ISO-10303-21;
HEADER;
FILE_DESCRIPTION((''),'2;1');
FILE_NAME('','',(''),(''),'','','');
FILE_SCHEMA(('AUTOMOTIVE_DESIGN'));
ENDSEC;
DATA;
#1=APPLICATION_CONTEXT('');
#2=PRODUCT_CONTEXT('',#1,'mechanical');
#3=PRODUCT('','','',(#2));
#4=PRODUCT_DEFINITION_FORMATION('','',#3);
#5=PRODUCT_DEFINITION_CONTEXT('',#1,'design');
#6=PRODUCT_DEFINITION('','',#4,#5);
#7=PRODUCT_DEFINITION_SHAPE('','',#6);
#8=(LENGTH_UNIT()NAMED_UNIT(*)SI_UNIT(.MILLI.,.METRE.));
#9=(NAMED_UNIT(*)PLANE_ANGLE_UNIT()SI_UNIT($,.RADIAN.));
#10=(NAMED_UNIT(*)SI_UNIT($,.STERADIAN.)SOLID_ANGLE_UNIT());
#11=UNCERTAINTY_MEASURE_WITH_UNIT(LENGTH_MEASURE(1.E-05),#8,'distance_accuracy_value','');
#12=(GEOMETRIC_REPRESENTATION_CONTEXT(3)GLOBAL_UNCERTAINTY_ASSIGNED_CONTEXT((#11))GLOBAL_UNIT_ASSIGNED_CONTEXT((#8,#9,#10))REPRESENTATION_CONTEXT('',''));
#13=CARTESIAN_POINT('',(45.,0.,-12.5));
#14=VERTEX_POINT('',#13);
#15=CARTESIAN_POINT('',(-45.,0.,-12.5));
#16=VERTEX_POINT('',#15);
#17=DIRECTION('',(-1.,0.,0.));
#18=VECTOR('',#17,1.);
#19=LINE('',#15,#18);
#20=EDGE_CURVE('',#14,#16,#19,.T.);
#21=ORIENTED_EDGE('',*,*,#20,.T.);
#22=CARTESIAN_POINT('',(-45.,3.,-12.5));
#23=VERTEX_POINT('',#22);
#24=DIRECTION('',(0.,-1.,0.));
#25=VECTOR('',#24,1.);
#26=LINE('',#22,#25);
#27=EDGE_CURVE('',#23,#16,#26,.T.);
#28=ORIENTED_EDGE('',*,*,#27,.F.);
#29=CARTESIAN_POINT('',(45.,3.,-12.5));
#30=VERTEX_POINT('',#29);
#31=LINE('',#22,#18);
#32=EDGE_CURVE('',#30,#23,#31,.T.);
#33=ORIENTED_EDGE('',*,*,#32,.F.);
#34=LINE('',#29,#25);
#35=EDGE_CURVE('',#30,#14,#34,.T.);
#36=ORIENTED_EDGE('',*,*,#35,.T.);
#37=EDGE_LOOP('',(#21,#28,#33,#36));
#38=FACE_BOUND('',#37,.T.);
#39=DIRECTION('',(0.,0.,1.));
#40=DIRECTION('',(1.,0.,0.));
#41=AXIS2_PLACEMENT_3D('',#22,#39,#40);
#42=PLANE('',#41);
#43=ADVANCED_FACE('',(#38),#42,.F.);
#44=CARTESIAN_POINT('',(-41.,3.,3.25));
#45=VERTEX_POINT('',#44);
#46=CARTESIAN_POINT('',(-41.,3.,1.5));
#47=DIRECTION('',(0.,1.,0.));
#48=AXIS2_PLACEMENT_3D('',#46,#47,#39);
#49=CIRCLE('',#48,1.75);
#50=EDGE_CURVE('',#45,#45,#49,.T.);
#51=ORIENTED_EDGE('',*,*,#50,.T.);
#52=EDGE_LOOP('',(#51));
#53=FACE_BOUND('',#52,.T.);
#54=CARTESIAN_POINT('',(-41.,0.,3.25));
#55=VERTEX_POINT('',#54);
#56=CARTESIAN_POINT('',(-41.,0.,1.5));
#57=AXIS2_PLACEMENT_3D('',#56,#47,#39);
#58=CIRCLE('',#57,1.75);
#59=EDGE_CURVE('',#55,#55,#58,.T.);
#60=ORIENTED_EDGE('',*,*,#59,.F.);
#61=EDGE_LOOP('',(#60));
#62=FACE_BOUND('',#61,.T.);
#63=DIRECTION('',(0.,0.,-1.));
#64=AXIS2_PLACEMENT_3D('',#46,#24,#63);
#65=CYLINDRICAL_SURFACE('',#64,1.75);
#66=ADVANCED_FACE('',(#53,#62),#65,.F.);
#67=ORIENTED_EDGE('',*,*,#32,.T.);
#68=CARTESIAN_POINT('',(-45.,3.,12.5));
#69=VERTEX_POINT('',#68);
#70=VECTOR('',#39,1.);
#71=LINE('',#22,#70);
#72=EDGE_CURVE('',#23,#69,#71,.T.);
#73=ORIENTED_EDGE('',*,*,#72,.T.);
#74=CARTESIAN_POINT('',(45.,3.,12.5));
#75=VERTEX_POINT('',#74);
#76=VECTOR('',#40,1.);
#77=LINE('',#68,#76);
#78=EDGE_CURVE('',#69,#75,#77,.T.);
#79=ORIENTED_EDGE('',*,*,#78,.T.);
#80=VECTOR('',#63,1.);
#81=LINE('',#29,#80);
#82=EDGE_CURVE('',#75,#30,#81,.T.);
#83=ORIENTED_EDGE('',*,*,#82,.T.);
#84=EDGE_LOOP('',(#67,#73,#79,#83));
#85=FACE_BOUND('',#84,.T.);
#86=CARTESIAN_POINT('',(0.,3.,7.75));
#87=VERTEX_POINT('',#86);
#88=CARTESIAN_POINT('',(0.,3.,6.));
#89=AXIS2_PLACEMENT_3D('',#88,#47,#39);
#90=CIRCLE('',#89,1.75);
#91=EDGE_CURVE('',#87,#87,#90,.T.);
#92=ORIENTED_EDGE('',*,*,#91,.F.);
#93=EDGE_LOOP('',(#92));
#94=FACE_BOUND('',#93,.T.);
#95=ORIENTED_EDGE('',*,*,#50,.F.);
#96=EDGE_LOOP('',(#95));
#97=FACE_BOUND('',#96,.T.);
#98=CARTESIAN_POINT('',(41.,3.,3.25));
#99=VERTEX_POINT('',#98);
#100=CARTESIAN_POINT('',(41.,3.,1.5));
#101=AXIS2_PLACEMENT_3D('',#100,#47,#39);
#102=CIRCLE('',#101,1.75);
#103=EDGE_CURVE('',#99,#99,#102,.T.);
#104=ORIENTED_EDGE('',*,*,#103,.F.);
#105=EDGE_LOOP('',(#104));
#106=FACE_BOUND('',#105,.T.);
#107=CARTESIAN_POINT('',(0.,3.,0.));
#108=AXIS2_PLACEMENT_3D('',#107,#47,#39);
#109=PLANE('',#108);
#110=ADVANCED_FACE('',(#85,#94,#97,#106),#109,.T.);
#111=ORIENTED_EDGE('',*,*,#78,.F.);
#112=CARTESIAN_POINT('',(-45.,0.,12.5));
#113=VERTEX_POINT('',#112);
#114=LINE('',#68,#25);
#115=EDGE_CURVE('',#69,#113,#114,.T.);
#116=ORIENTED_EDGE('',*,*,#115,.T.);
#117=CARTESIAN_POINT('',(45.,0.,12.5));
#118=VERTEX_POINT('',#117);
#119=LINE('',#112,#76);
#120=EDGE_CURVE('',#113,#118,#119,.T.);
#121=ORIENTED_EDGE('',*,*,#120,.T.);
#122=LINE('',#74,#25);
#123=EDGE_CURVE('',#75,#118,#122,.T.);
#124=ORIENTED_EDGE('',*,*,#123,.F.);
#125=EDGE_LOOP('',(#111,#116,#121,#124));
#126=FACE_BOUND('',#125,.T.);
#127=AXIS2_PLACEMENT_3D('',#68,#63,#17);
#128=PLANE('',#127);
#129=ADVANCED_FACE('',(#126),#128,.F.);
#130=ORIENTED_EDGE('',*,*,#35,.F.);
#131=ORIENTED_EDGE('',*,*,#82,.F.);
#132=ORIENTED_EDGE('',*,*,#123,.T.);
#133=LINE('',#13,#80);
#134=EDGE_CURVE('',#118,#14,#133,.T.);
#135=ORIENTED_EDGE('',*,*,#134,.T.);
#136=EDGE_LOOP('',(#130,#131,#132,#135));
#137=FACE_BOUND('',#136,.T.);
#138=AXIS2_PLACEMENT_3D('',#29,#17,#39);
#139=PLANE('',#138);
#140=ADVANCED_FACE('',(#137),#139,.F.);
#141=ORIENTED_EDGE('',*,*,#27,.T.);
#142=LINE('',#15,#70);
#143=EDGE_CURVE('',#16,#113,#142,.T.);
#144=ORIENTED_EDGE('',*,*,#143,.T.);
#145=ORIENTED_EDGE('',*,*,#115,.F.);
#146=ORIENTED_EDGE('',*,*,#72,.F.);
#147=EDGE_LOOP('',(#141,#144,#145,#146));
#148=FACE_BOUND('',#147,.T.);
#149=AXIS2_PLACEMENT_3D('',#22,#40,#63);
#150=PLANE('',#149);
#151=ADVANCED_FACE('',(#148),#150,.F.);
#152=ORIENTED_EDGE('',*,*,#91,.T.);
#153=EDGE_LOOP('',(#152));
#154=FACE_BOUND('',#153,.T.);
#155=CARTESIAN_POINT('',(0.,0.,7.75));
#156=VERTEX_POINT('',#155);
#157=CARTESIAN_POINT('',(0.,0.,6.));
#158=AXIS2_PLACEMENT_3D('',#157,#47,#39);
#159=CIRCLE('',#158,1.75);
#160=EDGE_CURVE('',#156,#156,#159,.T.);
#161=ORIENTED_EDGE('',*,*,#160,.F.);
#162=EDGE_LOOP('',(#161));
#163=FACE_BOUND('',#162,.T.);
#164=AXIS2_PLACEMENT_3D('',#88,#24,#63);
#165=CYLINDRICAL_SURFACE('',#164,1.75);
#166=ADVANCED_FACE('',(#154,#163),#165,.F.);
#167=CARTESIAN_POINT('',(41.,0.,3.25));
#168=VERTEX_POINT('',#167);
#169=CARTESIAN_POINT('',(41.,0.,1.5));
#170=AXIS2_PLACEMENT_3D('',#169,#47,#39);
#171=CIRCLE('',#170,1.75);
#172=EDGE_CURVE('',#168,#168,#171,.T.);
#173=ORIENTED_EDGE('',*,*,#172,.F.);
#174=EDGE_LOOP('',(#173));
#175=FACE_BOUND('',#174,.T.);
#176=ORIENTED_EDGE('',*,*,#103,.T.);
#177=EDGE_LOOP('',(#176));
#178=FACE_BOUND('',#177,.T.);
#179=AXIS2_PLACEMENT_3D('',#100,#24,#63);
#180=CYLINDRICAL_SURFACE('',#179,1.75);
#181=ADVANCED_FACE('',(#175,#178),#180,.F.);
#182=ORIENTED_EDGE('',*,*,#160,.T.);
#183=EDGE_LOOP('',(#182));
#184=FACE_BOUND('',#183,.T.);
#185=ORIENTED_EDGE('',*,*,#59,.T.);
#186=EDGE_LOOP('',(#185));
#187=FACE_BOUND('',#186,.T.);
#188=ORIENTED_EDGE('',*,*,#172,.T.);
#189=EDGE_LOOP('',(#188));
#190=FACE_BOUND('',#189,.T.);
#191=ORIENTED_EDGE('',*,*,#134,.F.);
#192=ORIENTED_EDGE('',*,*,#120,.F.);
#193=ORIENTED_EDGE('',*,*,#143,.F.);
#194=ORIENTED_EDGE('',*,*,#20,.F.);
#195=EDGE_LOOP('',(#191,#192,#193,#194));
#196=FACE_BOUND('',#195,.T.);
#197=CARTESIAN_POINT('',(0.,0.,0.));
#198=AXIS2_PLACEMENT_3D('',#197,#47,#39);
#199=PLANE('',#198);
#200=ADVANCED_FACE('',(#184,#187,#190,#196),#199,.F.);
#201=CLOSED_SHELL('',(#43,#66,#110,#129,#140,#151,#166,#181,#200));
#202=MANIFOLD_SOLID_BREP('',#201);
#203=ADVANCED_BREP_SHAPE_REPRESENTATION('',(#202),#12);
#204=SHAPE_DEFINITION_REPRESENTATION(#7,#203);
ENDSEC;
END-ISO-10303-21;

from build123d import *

# Parameters (mm, degrees)
ESQUISSE1_W        = 90
ESQUISSE1_H        = 25
ESQUISSE1_R        = 1.75
BOSS_EXTRU_1_DEPTH = 3


with BuildPart() as part:
    # Esquisse1 → Boss.-Extru.1 (new body)
    with BuildSketch(Plane(origin=(0, 0, 0), x_dir=(1, 0, 0), z_dir=(0, 1, 0))):
        Rectangle(ESQUISSE1_W, ESQUISSE1_H)
        with Locations((-41, -1.5)):
            Circle(ESQUISSE1_R, mode=Mode.SUBTRACT)
        with Locations((41, -1.5)):
            Circle(ESQUISSE1_R, mode=Mode.SUBTRACT)
        with Locations((0, -6)):
            Circle(ESQUISSE1_R, mode=Mode.SUBTRACT)
    extrude(amount=BOSS_EXTRU_1_DEPTH)


solid = part.part
